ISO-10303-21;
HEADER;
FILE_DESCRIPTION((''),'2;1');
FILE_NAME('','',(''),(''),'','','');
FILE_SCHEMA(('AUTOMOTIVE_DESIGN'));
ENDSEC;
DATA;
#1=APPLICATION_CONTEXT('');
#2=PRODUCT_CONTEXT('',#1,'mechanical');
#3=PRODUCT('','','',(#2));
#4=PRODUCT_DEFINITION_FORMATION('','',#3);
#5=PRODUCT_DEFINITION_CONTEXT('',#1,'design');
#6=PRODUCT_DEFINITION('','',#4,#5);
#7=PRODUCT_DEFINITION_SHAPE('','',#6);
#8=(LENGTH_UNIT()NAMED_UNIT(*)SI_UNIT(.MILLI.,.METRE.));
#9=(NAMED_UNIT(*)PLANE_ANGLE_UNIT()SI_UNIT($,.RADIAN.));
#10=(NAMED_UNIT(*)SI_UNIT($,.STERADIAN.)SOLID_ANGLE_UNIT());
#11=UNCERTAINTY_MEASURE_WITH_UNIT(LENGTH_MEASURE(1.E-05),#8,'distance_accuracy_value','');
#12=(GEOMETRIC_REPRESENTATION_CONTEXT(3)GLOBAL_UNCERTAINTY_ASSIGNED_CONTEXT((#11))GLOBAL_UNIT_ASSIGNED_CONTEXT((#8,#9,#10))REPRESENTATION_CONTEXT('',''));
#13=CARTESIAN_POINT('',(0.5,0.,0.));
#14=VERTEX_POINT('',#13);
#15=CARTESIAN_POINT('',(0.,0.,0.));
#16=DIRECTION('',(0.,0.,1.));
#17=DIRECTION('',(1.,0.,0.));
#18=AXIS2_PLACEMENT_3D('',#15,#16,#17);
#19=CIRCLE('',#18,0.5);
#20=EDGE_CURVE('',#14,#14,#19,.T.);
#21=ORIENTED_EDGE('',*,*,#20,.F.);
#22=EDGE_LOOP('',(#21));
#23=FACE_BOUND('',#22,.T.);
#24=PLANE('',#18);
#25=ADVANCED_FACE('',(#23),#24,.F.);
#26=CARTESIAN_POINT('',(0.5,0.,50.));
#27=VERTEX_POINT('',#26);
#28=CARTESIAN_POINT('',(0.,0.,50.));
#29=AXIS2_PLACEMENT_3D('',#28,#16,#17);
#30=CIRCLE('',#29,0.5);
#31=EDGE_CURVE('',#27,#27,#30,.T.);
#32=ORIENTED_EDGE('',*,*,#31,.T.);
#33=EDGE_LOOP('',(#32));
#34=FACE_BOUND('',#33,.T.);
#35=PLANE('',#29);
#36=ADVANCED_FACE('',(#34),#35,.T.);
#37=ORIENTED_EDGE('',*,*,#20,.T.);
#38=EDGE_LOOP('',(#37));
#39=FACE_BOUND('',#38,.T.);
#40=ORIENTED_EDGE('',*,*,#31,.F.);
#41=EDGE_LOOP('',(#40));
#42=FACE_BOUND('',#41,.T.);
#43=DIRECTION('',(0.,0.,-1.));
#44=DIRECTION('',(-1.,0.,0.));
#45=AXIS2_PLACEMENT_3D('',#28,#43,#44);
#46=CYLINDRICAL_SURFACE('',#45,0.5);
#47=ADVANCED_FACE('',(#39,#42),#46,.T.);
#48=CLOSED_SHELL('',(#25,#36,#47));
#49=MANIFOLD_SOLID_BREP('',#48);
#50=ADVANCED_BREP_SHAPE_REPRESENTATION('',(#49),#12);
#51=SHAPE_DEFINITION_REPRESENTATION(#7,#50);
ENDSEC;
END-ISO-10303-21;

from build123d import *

# Parameters (mm, degrees)
SCHIZZO1_R                   = 0.5
ESTRUSIONE_ESTRUSIONE1_DEPTH = 50


with BuildPart() as part:
    # Schizzo1 → Estrusione-Estrusione1 (new body)
    with BuildSketch(Plane.XY):
        Circle(SCHIZZO1_R)
    extrude(amount=ESTRUSIONE_ESTRUSIONE1_DEPTH)


solid = part.part
